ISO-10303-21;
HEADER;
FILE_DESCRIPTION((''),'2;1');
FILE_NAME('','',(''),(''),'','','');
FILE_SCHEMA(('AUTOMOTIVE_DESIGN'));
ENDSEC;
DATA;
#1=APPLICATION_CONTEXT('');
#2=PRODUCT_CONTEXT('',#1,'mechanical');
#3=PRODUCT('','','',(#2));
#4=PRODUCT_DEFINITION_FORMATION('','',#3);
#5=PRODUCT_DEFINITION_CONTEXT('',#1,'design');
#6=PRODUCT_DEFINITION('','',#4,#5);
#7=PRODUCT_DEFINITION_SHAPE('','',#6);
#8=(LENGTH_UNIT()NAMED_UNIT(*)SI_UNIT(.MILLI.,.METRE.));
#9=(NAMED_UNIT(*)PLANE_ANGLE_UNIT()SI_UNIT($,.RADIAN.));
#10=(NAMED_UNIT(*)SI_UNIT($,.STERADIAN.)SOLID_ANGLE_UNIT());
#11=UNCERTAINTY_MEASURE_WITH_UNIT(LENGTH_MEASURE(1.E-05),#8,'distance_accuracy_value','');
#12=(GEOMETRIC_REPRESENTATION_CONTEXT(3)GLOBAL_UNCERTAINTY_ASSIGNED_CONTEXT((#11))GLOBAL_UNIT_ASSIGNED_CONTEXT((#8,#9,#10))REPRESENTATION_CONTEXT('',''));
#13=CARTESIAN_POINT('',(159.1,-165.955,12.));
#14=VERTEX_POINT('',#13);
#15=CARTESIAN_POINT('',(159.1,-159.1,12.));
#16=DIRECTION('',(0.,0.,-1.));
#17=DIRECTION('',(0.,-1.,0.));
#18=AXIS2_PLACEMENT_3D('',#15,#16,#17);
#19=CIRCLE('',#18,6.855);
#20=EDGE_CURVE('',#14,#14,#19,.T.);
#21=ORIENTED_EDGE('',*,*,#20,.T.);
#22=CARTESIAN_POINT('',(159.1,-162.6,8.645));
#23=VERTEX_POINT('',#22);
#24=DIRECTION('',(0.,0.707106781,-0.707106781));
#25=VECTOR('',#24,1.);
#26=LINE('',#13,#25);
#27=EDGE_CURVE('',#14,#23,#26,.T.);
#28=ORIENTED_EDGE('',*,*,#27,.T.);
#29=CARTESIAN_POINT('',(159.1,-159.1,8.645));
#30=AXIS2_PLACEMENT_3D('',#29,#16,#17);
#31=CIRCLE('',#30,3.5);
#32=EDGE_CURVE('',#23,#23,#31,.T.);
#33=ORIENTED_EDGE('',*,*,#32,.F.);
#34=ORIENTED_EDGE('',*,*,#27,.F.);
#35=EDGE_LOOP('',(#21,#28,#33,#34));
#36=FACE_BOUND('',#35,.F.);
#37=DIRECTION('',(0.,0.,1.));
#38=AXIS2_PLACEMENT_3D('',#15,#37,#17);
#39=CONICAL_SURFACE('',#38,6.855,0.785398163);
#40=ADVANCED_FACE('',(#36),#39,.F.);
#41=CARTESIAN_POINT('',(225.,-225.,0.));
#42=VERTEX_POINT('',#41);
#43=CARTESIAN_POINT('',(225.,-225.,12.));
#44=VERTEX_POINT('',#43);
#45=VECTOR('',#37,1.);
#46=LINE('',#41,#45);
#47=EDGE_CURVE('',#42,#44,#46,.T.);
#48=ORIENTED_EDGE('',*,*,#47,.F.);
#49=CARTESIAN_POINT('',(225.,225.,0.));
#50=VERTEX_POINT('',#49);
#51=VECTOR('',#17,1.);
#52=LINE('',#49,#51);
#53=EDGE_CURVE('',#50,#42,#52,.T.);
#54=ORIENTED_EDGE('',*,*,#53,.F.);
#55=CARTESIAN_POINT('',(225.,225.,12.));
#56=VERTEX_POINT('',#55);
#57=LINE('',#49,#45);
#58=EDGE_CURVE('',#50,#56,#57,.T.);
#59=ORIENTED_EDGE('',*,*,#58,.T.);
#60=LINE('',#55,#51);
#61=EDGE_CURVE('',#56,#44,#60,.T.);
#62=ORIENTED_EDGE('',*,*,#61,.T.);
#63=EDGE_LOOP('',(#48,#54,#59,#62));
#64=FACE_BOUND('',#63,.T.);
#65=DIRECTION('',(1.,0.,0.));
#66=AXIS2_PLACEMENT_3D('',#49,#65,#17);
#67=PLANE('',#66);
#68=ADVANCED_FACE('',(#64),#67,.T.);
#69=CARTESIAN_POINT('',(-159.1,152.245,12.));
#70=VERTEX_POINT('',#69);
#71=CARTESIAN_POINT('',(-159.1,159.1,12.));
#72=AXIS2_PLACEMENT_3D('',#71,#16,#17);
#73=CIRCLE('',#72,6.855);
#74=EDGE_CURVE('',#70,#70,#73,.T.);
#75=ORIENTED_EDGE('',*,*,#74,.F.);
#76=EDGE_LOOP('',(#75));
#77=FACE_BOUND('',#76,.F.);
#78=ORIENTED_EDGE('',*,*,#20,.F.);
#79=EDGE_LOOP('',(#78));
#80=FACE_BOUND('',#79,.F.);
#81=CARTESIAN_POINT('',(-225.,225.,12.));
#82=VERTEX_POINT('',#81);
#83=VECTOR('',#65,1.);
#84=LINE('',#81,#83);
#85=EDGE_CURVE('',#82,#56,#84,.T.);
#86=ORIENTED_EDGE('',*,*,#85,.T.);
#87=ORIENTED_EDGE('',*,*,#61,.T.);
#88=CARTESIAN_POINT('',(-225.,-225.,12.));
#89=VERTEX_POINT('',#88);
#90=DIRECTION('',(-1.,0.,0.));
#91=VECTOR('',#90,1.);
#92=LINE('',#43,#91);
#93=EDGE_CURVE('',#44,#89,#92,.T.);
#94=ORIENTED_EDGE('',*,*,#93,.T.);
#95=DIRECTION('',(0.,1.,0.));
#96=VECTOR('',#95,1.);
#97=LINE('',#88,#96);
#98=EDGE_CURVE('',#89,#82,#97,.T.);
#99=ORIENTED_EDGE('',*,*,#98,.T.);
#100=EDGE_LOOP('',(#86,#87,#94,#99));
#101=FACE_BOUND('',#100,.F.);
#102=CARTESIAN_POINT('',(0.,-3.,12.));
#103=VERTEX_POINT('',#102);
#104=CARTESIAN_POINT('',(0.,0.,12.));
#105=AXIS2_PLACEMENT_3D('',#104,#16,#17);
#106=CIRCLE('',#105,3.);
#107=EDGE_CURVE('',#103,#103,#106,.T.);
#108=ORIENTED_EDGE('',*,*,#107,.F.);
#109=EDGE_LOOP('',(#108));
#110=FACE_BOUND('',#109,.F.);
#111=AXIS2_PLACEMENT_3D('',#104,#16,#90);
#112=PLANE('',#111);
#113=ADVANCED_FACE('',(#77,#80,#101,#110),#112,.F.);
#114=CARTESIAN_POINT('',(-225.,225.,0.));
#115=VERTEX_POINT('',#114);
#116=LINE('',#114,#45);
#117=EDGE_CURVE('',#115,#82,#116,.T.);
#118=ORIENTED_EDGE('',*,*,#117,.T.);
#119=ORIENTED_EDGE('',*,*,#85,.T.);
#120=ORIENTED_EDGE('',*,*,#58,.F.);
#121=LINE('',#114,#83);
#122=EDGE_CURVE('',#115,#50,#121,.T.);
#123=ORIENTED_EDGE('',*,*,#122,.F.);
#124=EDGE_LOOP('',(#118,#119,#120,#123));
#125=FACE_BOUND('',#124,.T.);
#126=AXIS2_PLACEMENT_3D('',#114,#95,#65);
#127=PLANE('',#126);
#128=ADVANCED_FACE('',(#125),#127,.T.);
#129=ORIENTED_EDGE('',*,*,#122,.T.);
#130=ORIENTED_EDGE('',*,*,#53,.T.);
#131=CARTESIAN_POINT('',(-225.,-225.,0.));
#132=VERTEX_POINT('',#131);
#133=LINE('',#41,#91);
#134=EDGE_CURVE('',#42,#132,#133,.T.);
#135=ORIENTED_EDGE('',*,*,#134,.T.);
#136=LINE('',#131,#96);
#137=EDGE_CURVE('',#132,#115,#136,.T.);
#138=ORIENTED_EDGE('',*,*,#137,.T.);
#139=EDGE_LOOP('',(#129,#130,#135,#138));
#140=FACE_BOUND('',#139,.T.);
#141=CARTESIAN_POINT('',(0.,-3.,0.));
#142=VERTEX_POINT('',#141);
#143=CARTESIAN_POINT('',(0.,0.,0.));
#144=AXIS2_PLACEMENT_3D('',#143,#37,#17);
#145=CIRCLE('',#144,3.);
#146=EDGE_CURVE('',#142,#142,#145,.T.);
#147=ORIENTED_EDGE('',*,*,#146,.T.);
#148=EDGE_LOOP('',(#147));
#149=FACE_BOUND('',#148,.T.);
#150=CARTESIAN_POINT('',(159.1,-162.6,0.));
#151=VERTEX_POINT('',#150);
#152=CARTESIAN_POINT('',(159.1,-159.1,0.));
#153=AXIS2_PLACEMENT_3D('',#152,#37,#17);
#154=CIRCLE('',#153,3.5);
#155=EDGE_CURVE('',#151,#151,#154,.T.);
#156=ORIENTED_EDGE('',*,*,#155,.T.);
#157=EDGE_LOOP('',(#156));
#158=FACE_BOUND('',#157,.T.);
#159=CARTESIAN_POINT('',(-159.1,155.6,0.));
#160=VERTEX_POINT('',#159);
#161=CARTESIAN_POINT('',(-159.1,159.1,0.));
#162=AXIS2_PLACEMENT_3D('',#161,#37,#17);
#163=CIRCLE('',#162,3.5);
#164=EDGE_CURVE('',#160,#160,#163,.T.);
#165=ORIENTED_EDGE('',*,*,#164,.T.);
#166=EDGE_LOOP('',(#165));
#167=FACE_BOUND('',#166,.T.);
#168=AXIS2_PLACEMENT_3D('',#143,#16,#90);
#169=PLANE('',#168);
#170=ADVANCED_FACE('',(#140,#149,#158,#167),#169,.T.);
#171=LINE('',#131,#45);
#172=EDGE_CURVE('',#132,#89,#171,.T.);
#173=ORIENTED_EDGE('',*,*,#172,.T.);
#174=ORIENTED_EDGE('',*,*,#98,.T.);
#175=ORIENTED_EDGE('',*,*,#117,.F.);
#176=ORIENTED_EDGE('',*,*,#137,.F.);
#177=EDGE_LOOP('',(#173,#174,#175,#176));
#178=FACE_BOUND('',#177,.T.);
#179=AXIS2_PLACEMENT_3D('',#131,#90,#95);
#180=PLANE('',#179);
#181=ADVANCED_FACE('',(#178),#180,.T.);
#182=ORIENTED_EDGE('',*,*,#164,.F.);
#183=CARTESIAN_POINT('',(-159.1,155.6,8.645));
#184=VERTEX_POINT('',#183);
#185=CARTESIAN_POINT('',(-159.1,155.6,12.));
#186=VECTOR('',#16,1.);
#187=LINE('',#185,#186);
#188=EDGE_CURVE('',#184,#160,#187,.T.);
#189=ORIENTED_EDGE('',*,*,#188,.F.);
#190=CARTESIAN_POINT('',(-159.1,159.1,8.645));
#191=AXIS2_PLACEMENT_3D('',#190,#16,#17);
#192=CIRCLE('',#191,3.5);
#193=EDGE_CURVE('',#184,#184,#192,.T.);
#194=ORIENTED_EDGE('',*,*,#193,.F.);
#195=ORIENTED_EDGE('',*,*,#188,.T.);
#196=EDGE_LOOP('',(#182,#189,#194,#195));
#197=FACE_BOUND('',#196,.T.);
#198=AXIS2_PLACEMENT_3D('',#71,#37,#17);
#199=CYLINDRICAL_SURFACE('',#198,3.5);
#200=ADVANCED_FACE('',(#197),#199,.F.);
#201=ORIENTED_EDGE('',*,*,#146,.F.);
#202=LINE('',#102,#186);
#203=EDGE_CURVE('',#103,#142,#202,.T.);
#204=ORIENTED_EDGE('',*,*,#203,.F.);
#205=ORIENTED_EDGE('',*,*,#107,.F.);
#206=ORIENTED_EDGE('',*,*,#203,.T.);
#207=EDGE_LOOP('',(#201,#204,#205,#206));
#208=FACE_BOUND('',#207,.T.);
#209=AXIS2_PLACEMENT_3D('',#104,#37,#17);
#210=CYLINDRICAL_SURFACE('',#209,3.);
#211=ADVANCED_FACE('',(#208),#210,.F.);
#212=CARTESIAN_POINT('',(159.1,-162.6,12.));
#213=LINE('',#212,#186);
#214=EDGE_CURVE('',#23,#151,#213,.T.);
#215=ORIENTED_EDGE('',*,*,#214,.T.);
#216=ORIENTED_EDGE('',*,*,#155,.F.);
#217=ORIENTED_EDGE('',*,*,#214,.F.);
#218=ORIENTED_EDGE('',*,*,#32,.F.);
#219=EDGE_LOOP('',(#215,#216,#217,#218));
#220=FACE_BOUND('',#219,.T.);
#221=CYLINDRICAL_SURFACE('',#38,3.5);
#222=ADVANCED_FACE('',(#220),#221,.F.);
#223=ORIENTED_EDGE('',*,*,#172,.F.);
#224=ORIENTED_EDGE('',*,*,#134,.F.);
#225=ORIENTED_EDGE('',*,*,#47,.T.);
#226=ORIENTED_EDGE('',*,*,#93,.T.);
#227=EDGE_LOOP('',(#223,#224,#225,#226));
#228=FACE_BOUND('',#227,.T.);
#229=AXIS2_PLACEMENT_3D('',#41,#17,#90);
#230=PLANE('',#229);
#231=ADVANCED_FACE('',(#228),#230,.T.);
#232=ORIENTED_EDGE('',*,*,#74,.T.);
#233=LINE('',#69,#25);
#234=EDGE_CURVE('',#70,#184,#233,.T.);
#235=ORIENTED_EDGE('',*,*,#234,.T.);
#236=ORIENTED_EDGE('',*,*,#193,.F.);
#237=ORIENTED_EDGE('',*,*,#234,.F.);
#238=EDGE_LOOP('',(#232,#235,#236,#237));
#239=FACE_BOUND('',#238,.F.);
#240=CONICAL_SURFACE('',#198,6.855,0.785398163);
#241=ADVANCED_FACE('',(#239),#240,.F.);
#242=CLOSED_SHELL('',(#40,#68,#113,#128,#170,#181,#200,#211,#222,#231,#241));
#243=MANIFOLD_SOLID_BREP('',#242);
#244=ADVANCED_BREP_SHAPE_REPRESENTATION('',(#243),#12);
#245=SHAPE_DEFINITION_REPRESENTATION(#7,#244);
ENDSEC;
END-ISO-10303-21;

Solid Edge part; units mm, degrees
sketch "Sketch1" plane through (0, 0, 0) normal (0, 0, 1) x (1, 0, 0)
  line L0 (225, 225) -> (225, -225)
  line L1 (225, -225) -> (-225, -225)
  line L2 (-225, -225) -> (-225, 225)
  line L3 (-225, 225) -> (225, 225)
extrude "Protrusion1" add sketch "Sketch1" along normal blind 12
hole "Hole_1" at (-159.1, 159.1, 12) direction (0, 0, -1) diameter 7 end up to next countersink diameter 13.71 countersink angle 90
hole "Hole1" at (159.1, -159.1, 12) direction (0, 0, -1) diameter 7 end up to next countersink diameter 13.71 countersink angle 90
hole "Hole_3" at (0, 0, 12) direction (0, 0, -1) diameter 6 end up to next
